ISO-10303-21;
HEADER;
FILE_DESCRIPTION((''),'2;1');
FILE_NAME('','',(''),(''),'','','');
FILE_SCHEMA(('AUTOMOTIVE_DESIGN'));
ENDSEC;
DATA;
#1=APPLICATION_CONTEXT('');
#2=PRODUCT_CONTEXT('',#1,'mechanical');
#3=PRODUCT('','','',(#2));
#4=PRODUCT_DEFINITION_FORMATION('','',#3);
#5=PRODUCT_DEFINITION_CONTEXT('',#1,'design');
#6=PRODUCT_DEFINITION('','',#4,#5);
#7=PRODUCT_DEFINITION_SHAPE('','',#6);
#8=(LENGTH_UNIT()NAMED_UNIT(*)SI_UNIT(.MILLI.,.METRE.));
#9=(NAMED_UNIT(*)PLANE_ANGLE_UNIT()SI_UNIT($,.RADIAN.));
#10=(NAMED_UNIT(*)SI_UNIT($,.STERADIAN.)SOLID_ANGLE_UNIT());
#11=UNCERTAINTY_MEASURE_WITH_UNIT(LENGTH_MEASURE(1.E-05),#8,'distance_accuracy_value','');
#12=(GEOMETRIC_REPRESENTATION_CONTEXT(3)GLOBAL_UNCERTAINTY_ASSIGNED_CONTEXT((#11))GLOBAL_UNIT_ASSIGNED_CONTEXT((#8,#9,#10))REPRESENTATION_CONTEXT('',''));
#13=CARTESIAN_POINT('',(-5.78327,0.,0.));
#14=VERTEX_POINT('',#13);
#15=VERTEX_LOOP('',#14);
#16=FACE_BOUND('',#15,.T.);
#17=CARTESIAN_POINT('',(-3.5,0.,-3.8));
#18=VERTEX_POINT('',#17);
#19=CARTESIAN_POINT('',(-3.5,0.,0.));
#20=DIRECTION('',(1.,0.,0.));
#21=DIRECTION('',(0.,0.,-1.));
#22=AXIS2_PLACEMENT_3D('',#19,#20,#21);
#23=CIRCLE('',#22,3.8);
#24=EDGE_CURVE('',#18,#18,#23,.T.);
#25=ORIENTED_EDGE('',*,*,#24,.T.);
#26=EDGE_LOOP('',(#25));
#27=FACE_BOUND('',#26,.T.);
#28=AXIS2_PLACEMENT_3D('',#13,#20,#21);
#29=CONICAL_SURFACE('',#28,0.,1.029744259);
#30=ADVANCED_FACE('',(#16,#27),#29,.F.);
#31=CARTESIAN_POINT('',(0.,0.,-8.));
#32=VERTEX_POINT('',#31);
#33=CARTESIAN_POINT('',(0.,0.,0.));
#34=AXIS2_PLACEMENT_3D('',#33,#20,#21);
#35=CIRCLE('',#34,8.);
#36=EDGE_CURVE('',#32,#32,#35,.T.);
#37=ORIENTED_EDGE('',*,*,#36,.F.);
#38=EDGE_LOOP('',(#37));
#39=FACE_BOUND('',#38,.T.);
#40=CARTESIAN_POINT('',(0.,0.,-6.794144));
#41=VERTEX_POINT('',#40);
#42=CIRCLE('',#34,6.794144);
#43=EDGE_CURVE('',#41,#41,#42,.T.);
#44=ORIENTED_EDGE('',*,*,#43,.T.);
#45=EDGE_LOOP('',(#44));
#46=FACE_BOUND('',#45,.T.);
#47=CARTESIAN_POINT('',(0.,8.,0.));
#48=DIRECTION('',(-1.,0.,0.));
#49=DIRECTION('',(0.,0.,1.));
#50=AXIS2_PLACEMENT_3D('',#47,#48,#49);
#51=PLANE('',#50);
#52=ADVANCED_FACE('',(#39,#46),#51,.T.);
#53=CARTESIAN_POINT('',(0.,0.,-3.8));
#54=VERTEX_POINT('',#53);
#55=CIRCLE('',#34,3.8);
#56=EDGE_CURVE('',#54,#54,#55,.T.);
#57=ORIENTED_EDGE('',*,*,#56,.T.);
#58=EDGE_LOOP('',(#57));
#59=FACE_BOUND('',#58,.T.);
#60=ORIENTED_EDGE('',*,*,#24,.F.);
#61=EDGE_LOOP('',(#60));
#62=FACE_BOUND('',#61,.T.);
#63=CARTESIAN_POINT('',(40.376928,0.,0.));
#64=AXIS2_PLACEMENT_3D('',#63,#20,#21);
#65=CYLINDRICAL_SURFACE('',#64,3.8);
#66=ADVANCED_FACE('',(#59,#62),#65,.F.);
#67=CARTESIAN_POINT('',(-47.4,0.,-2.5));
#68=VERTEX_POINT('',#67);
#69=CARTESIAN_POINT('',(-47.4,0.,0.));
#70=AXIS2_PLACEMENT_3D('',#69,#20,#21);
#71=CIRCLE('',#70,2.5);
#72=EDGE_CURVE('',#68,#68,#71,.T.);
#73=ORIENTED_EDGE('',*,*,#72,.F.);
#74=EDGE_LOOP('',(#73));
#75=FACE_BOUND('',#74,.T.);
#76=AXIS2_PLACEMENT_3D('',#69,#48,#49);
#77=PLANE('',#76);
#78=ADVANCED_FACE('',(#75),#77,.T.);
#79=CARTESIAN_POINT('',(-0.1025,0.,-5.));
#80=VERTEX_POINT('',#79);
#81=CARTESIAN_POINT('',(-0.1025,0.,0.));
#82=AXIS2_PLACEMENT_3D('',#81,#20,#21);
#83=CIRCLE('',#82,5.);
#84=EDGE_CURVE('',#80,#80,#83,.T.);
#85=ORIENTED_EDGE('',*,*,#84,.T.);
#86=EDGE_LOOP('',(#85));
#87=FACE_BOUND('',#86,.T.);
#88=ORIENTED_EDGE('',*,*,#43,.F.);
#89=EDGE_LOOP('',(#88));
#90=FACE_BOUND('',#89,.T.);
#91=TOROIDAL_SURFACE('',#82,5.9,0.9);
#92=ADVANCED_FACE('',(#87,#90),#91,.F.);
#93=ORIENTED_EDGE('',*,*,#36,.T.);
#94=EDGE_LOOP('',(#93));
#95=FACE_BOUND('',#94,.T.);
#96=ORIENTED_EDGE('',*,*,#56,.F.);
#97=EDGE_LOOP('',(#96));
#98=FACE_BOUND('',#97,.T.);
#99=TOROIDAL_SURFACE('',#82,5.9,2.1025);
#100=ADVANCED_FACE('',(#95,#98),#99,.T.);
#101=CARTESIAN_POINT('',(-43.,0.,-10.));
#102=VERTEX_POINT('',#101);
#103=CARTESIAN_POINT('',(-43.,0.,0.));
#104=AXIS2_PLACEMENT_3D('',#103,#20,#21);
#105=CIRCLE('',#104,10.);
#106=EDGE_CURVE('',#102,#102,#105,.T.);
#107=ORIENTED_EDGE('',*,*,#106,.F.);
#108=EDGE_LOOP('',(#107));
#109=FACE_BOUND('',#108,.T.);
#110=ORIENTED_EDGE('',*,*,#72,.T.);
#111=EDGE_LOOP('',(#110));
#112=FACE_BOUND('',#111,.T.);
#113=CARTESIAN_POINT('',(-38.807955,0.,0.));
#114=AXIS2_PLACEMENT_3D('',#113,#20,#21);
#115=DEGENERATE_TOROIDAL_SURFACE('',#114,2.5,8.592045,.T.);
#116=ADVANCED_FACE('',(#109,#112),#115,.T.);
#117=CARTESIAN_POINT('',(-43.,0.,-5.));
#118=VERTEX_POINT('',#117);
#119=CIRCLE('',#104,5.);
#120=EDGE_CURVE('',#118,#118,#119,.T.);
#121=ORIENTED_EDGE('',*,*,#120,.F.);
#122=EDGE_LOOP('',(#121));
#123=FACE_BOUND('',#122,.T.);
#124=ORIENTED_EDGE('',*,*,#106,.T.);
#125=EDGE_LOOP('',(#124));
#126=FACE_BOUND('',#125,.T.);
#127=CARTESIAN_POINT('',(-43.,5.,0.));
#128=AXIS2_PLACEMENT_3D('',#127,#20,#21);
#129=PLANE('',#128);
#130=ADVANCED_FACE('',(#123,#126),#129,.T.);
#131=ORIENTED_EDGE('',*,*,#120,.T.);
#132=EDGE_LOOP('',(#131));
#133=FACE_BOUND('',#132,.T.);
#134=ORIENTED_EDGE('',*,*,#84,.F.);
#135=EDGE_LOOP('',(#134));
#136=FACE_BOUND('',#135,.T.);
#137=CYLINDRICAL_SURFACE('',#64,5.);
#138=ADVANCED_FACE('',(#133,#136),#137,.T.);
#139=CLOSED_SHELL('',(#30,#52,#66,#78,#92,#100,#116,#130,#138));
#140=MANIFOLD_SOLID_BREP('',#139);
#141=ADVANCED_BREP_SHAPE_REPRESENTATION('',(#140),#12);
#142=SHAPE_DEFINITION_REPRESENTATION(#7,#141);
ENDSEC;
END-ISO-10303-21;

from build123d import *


with BuildPart() as part:
    # Sketch1 → Base-Revolve (revolve)
    with BuildSketch(Plane.XY, mode=Mode.PRIVATE) as base_revolve_sk:
        with BuildLine():
            Line((0, 8), (0, 6.794144144))
            ThreePointArc((0, 6.794144144), (0.796034843, 5.848666431), (-0.1025, 5))
            Line((-0.1025, 5), (-43, 5))
            Line((-43, 5), (-43, 10))
            ThreePointArc((-43, 10), (-46.218807741, 6.847700542), (-47.4, 2.5))
            Line((-47.4, 2.5), (-47.4, 0))
            Line((-47.4, 0), (-5.783270352, 0))
            Line((-5.783270352, 0), (-3.5, 3.8))
            Line((-3.5, 3.8), (0, 3.8))
            ThreePointArc((0, 3.8), (2, 5.9), (0, 8))
        make_face()
    revolve(base_revolve_sk.sketch.rotate(Axis((40.376928104, 0, 0), (-1, 0, 0)), 90), axis=Axis((40.376928104, 0, 0), (-1, 0, 0)))


solid = part.part
